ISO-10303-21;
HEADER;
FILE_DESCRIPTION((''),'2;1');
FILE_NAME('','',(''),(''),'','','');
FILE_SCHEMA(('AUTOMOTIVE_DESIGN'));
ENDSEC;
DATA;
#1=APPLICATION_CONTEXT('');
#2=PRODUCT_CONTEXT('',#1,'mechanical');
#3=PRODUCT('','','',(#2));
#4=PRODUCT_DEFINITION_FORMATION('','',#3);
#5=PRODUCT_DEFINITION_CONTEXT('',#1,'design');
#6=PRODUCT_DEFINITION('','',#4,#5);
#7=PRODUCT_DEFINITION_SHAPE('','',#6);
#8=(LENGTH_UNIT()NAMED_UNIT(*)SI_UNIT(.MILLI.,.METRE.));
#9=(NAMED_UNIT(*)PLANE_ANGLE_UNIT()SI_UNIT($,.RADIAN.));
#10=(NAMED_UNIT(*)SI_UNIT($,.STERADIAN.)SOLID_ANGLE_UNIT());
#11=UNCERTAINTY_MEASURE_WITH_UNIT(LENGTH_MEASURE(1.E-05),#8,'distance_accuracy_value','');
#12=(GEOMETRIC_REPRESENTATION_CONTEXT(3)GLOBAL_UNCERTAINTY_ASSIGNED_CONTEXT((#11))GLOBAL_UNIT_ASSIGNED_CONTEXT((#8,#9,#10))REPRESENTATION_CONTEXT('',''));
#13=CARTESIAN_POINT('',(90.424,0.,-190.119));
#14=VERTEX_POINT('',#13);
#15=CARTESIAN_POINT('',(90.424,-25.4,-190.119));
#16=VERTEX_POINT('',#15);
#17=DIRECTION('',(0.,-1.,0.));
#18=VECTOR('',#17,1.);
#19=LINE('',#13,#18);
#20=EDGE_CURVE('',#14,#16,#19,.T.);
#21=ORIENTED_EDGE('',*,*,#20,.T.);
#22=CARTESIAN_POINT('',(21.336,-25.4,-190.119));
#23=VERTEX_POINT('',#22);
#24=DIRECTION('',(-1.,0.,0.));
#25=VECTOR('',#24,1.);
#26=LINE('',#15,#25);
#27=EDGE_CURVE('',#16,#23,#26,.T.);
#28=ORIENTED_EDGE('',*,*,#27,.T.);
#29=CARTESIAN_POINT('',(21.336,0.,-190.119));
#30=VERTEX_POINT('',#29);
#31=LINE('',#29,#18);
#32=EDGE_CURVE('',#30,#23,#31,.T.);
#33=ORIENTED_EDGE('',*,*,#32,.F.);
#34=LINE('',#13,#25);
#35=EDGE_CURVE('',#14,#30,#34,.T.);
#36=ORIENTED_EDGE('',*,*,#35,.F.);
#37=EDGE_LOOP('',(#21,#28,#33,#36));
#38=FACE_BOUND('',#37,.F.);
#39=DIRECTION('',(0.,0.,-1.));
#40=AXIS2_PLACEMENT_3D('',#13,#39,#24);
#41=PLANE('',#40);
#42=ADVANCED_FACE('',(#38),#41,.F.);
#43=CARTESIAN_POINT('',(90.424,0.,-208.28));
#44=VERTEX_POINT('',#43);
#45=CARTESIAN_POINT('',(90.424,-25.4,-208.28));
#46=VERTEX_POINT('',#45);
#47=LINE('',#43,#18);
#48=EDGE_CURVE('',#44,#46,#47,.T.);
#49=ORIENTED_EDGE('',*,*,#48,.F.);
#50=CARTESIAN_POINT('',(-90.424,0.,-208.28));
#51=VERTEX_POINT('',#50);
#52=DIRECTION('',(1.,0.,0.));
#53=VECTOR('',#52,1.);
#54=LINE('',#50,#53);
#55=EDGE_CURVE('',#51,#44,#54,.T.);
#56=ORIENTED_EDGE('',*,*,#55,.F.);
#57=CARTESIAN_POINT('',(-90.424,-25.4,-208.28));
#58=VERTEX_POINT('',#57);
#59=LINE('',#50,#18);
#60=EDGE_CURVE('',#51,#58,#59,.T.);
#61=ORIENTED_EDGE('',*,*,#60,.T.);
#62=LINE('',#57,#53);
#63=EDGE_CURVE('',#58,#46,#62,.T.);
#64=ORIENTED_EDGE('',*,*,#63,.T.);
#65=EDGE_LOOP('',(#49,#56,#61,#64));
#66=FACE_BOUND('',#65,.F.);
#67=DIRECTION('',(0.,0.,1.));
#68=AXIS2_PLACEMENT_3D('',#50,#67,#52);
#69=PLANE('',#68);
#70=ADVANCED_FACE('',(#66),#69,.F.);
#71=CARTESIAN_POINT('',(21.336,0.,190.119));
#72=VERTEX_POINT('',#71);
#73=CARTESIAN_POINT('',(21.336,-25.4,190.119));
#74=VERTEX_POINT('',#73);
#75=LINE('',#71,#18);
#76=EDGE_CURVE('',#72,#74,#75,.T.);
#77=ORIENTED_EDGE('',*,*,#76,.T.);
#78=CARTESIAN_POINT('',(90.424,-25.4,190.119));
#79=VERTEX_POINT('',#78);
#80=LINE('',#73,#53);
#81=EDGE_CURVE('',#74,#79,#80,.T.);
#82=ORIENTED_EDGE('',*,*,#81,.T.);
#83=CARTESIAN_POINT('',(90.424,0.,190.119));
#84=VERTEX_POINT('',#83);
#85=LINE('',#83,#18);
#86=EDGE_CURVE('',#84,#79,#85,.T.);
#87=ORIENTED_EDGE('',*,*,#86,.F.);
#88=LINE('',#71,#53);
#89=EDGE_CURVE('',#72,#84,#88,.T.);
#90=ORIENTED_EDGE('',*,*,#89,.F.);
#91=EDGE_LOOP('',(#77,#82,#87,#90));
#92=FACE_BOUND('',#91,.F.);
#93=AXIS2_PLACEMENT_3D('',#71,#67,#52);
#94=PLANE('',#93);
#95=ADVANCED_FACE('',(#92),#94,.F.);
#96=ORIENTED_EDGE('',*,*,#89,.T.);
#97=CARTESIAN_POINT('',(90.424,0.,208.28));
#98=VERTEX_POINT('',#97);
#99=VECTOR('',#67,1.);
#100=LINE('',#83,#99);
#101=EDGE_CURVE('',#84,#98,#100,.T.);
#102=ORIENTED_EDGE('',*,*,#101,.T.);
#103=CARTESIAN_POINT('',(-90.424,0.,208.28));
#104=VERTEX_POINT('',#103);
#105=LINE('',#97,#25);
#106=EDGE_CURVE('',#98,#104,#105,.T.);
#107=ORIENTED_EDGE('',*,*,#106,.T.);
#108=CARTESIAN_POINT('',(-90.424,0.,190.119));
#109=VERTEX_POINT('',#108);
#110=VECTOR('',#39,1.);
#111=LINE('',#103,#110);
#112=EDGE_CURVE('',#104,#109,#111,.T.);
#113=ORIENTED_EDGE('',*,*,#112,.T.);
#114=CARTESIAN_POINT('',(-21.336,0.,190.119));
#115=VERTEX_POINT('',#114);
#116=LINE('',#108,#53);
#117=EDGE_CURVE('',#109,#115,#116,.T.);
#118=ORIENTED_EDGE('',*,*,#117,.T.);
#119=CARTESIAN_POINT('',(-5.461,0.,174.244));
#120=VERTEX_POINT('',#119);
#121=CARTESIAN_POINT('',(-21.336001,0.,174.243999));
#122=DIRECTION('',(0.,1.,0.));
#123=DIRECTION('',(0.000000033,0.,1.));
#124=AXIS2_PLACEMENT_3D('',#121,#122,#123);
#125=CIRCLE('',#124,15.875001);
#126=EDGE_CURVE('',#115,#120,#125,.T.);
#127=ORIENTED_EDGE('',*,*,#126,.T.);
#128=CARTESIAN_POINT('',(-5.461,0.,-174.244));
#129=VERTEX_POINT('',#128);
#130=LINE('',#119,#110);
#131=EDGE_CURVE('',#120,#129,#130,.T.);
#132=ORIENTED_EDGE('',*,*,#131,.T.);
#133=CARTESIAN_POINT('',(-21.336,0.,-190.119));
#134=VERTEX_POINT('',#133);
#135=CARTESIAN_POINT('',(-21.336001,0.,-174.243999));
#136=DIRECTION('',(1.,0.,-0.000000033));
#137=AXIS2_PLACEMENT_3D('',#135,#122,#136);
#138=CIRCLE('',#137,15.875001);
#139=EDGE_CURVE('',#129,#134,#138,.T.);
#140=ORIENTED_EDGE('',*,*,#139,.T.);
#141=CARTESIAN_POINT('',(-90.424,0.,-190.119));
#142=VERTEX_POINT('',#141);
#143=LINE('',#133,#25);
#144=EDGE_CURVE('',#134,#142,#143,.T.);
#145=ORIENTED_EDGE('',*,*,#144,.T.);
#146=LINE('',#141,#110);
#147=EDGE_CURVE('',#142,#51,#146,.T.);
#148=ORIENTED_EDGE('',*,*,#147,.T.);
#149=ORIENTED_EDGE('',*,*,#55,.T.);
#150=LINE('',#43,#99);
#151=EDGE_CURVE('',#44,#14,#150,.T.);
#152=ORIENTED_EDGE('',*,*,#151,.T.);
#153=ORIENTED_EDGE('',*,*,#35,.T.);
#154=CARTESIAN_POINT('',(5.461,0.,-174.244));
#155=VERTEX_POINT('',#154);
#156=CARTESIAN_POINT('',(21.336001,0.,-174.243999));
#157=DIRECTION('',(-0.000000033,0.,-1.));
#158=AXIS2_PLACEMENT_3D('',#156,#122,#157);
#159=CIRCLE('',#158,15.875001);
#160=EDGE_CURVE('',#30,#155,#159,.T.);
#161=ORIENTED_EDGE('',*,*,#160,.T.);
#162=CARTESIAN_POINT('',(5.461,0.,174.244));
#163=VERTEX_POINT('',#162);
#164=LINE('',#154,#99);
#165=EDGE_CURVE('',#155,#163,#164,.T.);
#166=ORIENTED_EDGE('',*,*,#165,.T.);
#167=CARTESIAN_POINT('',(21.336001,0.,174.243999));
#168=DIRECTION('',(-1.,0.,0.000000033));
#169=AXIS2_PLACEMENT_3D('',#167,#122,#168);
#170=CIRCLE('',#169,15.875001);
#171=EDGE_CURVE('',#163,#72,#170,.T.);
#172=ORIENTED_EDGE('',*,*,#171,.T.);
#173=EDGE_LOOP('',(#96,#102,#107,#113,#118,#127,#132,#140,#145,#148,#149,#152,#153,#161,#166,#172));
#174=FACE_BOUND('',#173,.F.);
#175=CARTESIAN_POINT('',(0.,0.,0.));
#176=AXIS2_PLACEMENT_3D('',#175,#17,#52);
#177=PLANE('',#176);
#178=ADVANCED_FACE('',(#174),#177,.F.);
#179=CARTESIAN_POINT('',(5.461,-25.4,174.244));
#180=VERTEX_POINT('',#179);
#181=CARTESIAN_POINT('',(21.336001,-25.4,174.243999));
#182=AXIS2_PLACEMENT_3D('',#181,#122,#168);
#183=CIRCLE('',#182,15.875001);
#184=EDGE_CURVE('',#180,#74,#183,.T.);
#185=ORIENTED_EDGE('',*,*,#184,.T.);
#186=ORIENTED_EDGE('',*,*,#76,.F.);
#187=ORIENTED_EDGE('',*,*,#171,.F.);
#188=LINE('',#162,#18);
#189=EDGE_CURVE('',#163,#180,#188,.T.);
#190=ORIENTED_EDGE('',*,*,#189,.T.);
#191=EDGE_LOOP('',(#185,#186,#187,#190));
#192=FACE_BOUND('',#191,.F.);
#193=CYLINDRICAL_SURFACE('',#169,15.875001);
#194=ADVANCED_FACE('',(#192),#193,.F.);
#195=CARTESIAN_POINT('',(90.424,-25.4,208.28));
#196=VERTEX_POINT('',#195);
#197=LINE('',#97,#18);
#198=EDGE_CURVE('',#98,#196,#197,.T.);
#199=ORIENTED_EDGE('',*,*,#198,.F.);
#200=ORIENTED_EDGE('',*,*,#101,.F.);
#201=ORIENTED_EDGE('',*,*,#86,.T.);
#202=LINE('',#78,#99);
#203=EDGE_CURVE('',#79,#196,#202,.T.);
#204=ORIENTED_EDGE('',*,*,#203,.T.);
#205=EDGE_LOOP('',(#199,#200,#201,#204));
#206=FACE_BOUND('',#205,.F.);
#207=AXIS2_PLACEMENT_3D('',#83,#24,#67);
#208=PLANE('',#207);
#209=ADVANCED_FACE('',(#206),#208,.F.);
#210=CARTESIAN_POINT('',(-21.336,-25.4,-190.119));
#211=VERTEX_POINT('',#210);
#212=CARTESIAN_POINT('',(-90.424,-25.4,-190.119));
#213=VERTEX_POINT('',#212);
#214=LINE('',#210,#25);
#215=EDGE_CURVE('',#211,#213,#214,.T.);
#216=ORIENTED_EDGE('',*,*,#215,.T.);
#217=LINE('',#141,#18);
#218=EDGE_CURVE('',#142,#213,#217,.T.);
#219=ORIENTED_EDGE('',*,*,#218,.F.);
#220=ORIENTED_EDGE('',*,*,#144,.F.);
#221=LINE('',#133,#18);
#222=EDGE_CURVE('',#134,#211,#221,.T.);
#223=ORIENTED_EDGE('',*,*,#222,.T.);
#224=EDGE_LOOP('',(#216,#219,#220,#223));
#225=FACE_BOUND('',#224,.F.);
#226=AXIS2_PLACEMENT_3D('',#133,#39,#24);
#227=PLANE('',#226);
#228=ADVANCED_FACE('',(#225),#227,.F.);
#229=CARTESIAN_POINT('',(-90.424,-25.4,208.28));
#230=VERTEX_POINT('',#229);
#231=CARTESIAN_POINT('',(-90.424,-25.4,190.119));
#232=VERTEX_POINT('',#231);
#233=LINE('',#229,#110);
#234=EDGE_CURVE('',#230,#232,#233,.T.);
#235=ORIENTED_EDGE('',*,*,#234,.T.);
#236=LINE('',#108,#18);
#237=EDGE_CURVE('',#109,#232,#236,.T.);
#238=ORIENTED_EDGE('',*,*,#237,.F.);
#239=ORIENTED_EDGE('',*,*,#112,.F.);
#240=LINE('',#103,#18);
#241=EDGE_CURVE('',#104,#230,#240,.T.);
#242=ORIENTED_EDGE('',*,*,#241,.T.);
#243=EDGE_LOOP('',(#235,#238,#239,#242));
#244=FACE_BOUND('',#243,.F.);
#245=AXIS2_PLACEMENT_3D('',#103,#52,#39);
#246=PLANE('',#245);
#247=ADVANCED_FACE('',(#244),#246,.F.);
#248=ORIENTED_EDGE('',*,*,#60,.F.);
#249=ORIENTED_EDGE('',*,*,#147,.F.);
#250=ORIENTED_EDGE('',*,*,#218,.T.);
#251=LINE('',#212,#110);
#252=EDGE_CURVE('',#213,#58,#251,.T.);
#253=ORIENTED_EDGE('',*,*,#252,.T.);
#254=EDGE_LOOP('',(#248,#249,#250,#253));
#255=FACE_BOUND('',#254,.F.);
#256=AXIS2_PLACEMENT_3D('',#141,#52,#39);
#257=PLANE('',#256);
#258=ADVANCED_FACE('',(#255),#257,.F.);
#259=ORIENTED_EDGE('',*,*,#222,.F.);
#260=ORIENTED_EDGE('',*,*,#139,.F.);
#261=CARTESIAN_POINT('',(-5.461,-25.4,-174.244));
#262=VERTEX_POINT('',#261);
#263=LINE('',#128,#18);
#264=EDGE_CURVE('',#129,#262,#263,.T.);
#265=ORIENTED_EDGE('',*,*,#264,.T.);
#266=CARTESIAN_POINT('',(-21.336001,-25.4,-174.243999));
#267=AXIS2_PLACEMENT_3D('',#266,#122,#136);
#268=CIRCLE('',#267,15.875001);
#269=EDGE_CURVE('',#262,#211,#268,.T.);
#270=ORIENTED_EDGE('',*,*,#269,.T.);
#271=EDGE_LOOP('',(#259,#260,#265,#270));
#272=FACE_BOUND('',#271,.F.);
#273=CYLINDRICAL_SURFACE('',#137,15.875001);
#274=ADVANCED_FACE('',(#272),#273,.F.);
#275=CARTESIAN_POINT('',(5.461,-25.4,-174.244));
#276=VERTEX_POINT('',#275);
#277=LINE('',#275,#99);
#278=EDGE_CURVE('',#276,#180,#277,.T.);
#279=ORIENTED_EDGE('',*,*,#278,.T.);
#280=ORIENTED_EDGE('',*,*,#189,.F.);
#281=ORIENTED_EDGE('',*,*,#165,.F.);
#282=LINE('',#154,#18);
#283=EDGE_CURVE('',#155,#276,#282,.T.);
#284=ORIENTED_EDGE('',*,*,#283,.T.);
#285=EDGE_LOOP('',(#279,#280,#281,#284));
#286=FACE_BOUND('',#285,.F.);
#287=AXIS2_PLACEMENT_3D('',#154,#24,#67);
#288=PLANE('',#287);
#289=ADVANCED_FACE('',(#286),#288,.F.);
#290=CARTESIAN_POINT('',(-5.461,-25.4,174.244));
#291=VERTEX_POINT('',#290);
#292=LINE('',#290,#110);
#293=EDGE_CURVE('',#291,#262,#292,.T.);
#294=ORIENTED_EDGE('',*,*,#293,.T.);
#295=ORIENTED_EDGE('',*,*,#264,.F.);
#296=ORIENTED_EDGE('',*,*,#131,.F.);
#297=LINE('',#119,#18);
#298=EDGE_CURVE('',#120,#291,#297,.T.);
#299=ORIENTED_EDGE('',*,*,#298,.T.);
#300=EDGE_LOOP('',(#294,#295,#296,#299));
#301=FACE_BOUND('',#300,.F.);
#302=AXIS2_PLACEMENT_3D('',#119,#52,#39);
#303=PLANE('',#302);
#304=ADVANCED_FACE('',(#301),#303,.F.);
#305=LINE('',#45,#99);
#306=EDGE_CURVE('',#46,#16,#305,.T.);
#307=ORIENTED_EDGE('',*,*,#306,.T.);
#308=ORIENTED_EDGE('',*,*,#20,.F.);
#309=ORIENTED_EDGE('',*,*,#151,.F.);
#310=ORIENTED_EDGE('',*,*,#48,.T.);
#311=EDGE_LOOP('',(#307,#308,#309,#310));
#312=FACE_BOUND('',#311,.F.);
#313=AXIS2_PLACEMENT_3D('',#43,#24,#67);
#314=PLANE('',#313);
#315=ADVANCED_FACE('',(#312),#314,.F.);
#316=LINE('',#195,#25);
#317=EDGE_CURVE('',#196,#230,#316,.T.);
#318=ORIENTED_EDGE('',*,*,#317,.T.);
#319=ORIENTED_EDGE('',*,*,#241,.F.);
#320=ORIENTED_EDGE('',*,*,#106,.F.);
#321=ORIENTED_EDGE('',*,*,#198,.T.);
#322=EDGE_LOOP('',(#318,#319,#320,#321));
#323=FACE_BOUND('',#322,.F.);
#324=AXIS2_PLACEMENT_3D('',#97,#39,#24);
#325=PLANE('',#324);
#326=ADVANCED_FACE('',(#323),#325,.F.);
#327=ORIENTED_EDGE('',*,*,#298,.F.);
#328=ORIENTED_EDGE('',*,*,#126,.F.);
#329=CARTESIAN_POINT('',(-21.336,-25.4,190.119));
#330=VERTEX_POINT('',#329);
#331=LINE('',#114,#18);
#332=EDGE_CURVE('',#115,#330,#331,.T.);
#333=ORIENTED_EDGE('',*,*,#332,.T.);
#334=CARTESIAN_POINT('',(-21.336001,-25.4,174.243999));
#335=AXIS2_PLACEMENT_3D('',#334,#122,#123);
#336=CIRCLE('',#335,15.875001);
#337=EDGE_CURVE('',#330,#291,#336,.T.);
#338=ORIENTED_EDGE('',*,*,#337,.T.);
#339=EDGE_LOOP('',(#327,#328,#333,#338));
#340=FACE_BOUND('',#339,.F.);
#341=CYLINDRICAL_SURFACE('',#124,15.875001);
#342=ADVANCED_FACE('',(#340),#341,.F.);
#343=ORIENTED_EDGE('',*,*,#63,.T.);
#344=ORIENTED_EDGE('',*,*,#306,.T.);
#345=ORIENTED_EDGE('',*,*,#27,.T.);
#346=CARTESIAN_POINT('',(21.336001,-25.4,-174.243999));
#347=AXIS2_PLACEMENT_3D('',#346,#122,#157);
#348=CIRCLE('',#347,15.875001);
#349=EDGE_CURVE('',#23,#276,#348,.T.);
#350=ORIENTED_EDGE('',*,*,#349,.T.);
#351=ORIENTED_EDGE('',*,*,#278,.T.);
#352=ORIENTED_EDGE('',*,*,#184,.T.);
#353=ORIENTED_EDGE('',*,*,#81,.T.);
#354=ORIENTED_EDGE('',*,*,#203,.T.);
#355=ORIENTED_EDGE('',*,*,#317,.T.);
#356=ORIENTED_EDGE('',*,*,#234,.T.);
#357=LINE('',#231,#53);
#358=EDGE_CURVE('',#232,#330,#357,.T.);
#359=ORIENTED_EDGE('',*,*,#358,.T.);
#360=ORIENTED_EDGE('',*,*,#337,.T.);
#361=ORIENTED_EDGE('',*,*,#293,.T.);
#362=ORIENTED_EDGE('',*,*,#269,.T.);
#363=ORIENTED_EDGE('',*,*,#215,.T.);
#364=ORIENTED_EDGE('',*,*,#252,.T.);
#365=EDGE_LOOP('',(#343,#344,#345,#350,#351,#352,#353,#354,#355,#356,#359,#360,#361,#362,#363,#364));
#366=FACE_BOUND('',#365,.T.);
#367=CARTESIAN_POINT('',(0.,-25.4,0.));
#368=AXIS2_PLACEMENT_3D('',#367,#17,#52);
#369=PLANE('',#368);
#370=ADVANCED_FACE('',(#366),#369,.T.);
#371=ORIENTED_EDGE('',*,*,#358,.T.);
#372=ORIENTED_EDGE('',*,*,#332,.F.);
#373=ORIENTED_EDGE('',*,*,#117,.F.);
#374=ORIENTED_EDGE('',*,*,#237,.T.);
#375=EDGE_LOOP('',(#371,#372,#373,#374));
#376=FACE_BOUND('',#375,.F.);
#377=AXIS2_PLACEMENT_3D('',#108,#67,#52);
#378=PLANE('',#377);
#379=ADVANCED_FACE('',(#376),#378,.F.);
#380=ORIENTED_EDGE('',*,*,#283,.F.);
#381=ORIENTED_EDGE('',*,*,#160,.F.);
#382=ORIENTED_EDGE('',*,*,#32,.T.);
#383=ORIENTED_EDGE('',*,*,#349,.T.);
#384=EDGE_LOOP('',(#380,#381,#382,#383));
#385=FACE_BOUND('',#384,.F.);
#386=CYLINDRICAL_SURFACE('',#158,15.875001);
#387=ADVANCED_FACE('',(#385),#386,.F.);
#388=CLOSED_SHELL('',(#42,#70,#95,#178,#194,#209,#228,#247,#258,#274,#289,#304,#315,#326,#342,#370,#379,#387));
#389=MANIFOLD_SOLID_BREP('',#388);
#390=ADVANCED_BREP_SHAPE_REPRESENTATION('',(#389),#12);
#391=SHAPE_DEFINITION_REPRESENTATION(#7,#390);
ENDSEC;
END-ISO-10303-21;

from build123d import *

# Parameters (mm, degrees)
F1_DEPTH = 25.4


with BuildPart() as f1:
    # F0 (on Front) → F1 (new body)
    with BuildSketch(Plane.XZ):
        with BuildLine():
            Line((90.424, 208.28), (-90.424, 208.28))
            Line((-90.424, 208.28), (-90.424, 190.119))
            Line((-90.424, 190.119), (-21.336, 190.119))
            ThreePointArc((-21.336, 190.119), (-10.11068, 185.46932), (-5.461, 174.244))
            Line((-5.461, 174.244), (-5.461, -174.244))
            ThreePointArc((-5.461, -174.244), (-10.11068, -185.46932), (-21.336, -190.119))
            Line((-21.336, -190.119), (-90.424, -190.119))
            Line((-90.424, -190.119), (-90.424, -208.28))
            Line((-90.424, -208.28), (90.424, -208.28))
            Line((90.424, -208.28), (90.424, -190.119))
            Line((90.424, -190.119), (21.336, -190.119))
            ThreePointArc((21.336, -190.119), (10.11068, -185.46932), (5.461, -174.244))
            Line((5.461, -174.244), (5.461, 174.244))
            ThreePointArc((5.461, 174.244), (10.11068, 185.46932), (21.336, 190.119))
            Line((21.336, 190.119), (90.424, 190.119))
            Line((90.424, 190.119), (90.424, 208.28))
        make_face()
    extrude(amount=F1_DEPTH)


solid = f1.part
